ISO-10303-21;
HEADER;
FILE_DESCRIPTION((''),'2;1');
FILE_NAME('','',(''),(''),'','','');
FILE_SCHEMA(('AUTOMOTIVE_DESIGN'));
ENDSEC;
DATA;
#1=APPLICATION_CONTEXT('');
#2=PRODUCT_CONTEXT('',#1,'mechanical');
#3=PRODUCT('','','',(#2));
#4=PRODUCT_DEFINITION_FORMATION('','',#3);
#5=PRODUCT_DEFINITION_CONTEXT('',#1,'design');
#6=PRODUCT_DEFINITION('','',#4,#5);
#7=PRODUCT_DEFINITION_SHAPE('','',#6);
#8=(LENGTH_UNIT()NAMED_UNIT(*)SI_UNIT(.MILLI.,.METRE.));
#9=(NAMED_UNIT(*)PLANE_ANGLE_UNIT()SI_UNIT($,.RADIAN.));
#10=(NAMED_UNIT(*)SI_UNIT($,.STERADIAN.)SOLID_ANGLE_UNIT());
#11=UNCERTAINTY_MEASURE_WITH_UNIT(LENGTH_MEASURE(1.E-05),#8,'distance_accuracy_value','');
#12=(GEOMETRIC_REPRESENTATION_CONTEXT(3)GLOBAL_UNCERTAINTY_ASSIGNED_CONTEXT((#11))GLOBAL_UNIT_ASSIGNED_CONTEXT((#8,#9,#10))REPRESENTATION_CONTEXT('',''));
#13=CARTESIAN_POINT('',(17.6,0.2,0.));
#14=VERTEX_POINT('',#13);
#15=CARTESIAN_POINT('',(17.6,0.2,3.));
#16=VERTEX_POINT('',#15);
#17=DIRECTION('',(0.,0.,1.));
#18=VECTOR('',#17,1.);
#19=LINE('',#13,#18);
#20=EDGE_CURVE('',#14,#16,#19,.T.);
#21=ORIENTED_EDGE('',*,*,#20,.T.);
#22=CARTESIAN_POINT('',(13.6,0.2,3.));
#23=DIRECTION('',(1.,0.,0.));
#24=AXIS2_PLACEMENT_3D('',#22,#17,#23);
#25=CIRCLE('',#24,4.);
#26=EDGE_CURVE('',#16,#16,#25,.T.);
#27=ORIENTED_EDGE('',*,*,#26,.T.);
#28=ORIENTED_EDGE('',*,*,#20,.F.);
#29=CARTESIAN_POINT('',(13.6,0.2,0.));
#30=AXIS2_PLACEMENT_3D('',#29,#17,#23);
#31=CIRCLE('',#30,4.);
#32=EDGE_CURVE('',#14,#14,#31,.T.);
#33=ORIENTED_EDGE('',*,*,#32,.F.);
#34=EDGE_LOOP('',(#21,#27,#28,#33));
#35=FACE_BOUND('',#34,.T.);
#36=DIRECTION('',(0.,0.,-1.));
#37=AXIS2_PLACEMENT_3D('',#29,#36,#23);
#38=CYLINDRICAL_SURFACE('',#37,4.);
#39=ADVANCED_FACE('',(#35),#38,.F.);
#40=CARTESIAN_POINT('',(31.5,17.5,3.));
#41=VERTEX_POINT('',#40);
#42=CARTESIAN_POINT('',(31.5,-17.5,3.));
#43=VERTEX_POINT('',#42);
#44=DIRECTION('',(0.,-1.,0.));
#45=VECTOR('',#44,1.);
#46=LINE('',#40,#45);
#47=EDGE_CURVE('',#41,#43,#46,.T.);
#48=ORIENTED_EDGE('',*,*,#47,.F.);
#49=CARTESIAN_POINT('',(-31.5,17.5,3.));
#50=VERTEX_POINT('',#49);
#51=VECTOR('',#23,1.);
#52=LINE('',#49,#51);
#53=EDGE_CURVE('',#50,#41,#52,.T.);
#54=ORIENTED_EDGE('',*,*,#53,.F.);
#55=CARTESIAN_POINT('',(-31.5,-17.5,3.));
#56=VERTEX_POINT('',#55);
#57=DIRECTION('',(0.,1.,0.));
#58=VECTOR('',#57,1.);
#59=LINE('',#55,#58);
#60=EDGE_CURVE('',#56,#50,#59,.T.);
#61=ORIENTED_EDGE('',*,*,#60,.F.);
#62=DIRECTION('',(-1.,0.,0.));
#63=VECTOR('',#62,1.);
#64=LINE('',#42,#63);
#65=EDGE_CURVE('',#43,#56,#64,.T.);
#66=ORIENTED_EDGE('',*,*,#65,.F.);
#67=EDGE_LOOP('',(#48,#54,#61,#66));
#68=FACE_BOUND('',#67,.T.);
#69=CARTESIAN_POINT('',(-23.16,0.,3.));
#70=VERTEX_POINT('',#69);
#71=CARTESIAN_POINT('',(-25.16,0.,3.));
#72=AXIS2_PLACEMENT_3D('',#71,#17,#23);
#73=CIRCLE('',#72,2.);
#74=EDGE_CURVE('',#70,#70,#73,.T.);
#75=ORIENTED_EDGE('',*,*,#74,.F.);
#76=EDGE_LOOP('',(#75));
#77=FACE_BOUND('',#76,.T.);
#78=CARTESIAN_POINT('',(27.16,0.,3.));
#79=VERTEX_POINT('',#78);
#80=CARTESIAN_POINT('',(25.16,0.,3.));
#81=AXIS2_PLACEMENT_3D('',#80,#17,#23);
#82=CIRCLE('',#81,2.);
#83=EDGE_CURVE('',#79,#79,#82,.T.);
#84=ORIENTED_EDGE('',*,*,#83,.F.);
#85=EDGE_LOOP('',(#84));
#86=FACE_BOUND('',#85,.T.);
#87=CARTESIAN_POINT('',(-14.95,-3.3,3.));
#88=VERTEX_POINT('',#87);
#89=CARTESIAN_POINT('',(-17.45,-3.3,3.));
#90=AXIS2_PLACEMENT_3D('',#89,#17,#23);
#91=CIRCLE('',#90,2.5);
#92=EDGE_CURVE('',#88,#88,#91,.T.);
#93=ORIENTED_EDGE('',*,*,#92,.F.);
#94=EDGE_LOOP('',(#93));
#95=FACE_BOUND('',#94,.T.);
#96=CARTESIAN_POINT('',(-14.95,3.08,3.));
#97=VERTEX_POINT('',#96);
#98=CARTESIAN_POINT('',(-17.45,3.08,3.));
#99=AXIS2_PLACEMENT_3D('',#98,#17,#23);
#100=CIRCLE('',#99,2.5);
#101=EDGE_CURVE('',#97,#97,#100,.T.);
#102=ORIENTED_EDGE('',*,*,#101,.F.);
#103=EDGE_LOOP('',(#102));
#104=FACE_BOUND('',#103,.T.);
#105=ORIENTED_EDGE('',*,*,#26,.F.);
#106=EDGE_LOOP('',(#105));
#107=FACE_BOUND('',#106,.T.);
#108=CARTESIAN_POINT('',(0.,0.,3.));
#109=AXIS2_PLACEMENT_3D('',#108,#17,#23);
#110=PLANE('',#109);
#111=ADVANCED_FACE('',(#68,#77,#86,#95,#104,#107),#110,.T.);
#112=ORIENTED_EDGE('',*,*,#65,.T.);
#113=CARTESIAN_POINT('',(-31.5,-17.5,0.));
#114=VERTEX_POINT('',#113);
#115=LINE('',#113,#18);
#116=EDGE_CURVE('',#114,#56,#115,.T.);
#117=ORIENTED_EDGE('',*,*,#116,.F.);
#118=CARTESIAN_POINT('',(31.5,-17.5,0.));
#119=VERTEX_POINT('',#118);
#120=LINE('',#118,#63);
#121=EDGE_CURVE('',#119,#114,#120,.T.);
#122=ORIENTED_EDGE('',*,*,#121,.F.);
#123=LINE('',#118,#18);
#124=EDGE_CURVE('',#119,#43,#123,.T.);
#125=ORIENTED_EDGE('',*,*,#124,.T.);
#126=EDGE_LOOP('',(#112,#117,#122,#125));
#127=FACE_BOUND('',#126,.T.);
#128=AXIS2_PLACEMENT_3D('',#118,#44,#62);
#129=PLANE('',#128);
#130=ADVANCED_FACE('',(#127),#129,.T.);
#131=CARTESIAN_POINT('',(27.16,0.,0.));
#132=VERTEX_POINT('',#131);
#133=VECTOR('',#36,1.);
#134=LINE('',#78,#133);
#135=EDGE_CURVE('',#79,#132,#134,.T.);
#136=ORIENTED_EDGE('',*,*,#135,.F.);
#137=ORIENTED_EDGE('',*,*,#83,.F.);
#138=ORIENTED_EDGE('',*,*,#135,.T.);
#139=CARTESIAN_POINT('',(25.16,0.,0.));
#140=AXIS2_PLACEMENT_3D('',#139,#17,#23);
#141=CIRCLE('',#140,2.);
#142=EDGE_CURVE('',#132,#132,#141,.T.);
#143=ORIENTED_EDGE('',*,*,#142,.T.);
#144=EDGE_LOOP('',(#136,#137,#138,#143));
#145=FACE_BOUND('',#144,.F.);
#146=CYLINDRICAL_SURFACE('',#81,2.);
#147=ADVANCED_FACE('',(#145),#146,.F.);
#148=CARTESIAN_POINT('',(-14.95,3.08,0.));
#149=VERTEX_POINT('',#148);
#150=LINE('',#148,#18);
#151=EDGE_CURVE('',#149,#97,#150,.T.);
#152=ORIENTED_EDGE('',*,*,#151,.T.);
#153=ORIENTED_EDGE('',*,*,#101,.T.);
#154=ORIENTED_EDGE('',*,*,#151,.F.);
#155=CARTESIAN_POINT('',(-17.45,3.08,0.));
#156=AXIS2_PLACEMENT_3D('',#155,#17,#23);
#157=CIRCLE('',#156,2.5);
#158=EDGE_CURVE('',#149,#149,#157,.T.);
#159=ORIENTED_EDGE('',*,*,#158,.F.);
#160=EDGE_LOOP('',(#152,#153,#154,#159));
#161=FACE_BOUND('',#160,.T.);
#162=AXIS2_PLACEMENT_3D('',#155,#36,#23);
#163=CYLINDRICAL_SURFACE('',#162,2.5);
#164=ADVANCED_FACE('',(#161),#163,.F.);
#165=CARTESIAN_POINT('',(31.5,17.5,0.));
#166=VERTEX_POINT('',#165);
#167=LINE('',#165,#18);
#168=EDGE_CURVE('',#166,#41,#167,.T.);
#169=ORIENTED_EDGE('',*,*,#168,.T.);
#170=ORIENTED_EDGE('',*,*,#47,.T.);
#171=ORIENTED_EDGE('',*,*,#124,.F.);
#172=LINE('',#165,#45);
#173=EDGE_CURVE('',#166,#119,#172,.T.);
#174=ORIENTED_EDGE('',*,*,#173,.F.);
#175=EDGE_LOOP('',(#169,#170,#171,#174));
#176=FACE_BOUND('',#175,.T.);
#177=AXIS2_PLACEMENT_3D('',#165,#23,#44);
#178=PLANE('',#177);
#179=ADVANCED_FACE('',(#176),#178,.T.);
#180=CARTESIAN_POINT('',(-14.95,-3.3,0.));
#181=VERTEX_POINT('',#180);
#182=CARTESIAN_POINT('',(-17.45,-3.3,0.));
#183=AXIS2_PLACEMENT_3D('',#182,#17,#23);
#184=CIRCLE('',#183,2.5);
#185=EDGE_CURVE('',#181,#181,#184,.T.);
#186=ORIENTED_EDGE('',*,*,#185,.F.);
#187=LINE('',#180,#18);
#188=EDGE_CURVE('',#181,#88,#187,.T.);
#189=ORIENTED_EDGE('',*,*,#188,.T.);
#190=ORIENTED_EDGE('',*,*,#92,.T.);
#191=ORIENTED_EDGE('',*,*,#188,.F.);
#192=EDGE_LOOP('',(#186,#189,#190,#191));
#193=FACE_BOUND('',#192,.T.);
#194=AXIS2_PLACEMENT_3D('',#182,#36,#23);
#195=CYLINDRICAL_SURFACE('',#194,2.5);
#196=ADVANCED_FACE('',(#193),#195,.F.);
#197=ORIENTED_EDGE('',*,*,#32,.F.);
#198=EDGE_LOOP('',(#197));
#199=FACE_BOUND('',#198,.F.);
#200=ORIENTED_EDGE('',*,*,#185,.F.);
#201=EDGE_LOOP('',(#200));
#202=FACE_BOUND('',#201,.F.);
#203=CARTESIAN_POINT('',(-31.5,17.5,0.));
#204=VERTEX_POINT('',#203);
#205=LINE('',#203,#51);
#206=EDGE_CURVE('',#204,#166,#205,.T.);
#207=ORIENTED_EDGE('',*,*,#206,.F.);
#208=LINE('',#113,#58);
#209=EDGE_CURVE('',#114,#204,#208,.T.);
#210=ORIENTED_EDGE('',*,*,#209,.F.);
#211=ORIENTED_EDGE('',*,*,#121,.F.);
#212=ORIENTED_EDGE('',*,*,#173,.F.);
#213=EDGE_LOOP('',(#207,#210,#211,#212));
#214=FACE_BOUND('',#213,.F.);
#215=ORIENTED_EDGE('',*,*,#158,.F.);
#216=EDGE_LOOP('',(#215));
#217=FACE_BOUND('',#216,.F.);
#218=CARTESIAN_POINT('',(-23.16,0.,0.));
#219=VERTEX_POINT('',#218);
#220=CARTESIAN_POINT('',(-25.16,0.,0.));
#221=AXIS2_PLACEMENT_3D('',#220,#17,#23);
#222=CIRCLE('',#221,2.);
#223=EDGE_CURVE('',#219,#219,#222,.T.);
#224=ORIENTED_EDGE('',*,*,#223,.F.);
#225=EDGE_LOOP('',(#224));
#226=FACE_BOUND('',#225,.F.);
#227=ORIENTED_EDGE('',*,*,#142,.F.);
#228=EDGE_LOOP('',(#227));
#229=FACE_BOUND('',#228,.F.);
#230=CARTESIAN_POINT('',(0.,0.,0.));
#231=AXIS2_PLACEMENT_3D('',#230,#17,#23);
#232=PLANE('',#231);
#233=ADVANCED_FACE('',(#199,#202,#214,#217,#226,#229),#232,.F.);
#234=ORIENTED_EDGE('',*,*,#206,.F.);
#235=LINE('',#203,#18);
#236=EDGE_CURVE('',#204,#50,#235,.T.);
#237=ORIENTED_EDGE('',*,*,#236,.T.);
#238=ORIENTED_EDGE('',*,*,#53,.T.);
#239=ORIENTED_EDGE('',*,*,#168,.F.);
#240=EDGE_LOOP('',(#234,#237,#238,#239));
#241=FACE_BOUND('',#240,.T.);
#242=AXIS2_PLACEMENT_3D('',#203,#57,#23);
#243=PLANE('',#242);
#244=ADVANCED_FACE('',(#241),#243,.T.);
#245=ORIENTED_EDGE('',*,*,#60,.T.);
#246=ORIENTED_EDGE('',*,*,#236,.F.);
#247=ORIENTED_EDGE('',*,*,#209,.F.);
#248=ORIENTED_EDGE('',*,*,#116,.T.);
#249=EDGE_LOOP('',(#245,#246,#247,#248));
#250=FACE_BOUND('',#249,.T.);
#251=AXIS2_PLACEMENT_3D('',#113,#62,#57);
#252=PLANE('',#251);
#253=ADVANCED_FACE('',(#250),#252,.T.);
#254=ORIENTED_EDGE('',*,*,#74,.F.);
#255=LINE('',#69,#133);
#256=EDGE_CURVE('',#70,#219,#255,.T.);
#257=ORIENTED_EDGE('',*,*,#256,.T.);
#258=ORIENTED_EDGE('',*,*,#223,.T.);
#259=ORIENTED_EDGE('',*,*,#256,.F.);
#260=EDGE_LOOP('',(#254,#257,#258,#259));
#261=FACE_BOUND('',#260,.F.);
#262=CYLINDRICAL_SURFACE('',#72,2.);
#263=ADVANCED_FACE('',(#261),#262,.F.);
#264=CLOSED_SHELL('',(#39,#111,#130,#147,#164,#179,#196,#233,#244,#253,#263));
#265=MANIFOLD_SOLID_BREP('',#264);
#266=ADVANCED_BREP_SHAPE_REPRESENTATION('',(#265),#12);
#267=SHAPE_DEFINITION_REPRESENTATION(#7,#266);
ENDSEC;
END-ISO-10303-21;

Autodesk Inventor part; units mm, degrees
ref_plane "YZ Plane" through (0, 0, 0) normal (1, 0, 0) x (0, 1, 0)
ref_plane "XZ Plane" through (0, 0, 0) normal (0, 1, 0) x (-1, 0, 0)
ref_plane "XY Plane" through (0, 0, 0) normal (0, 0, 1) x (1, 0, 0)
sketch "Sketch1" plane through (0, 0, 0) normal (0, 0, 1) x (1, 0, 0)
  line L0 (-31.5, 17.5) -> (31.5, 17.5)
  line L1 (31.5, 17.5) -> (31.5, -17.5)
  line L2 (31.5, -17.5) -> (-31.5, -17.5)
  line L3 (-31.5, -17.5) -> (-31.5, 17.5)
  line L4 (-31.5, 17.5) -> (31.5, -17.5) construction
  line L5 (31.5, 17.5) -> (-31.5, -17.5) construction
  circle A0 centre (13.6, 0.2) radius 4
  circle A1 centre (-17.45, 3.08) radius 2.5
  circle A2 centre (-17.45, -3.3) radius 2.5
  point P0 (0, 0)
  dimension "d0" = 63
  dimension "d1" = 35
  dimension "d2" = 8
  dimension "d3" = 17.9
  dimension "d4" = 17.7
  dimension "d5" = 5
  dimension "d6" = 5
  dimension "d7" = 14.2
  dimension "d8" = 48.95
  dimension "d9" = 48.95
  dimension "d10" = 20.58
extrude "Extrusion1" add sketch "Sketch1" along normal blind 3
sketch "Sketch2" plane through (0, 0, 3) normal (0, 0, 1) x (1, 0, 0)
  circle A0 centre (25.16, 0) radius 2
  line L0 (31.5, -17.5) -> (31.5, 17.5) projected
  line L1 (-31.5, -17.5) -> (31.5, -17.5) projected
  circle A1 centre (-25.16, 0) radius 2
  line L2 (-31.5, 17.5) -> (-31.5, -17.5) projected
  point P0 (0, 0)
  dimension "d13" = 6.34
  dimension "d14" = 17.5
  dimension "d15" = 4
  dimension "d16" = 4
  dimension "d17" = 6.34
  dimension "d18" = 17.5
extrude "Extrusion2" cut sketch "Sketch2" against normal blind 3
equation "\"d9\" = d8"
equation "\"d17\" = d13"
equation "\"d18\" = d14"
properties part number "EndCapCutout"
